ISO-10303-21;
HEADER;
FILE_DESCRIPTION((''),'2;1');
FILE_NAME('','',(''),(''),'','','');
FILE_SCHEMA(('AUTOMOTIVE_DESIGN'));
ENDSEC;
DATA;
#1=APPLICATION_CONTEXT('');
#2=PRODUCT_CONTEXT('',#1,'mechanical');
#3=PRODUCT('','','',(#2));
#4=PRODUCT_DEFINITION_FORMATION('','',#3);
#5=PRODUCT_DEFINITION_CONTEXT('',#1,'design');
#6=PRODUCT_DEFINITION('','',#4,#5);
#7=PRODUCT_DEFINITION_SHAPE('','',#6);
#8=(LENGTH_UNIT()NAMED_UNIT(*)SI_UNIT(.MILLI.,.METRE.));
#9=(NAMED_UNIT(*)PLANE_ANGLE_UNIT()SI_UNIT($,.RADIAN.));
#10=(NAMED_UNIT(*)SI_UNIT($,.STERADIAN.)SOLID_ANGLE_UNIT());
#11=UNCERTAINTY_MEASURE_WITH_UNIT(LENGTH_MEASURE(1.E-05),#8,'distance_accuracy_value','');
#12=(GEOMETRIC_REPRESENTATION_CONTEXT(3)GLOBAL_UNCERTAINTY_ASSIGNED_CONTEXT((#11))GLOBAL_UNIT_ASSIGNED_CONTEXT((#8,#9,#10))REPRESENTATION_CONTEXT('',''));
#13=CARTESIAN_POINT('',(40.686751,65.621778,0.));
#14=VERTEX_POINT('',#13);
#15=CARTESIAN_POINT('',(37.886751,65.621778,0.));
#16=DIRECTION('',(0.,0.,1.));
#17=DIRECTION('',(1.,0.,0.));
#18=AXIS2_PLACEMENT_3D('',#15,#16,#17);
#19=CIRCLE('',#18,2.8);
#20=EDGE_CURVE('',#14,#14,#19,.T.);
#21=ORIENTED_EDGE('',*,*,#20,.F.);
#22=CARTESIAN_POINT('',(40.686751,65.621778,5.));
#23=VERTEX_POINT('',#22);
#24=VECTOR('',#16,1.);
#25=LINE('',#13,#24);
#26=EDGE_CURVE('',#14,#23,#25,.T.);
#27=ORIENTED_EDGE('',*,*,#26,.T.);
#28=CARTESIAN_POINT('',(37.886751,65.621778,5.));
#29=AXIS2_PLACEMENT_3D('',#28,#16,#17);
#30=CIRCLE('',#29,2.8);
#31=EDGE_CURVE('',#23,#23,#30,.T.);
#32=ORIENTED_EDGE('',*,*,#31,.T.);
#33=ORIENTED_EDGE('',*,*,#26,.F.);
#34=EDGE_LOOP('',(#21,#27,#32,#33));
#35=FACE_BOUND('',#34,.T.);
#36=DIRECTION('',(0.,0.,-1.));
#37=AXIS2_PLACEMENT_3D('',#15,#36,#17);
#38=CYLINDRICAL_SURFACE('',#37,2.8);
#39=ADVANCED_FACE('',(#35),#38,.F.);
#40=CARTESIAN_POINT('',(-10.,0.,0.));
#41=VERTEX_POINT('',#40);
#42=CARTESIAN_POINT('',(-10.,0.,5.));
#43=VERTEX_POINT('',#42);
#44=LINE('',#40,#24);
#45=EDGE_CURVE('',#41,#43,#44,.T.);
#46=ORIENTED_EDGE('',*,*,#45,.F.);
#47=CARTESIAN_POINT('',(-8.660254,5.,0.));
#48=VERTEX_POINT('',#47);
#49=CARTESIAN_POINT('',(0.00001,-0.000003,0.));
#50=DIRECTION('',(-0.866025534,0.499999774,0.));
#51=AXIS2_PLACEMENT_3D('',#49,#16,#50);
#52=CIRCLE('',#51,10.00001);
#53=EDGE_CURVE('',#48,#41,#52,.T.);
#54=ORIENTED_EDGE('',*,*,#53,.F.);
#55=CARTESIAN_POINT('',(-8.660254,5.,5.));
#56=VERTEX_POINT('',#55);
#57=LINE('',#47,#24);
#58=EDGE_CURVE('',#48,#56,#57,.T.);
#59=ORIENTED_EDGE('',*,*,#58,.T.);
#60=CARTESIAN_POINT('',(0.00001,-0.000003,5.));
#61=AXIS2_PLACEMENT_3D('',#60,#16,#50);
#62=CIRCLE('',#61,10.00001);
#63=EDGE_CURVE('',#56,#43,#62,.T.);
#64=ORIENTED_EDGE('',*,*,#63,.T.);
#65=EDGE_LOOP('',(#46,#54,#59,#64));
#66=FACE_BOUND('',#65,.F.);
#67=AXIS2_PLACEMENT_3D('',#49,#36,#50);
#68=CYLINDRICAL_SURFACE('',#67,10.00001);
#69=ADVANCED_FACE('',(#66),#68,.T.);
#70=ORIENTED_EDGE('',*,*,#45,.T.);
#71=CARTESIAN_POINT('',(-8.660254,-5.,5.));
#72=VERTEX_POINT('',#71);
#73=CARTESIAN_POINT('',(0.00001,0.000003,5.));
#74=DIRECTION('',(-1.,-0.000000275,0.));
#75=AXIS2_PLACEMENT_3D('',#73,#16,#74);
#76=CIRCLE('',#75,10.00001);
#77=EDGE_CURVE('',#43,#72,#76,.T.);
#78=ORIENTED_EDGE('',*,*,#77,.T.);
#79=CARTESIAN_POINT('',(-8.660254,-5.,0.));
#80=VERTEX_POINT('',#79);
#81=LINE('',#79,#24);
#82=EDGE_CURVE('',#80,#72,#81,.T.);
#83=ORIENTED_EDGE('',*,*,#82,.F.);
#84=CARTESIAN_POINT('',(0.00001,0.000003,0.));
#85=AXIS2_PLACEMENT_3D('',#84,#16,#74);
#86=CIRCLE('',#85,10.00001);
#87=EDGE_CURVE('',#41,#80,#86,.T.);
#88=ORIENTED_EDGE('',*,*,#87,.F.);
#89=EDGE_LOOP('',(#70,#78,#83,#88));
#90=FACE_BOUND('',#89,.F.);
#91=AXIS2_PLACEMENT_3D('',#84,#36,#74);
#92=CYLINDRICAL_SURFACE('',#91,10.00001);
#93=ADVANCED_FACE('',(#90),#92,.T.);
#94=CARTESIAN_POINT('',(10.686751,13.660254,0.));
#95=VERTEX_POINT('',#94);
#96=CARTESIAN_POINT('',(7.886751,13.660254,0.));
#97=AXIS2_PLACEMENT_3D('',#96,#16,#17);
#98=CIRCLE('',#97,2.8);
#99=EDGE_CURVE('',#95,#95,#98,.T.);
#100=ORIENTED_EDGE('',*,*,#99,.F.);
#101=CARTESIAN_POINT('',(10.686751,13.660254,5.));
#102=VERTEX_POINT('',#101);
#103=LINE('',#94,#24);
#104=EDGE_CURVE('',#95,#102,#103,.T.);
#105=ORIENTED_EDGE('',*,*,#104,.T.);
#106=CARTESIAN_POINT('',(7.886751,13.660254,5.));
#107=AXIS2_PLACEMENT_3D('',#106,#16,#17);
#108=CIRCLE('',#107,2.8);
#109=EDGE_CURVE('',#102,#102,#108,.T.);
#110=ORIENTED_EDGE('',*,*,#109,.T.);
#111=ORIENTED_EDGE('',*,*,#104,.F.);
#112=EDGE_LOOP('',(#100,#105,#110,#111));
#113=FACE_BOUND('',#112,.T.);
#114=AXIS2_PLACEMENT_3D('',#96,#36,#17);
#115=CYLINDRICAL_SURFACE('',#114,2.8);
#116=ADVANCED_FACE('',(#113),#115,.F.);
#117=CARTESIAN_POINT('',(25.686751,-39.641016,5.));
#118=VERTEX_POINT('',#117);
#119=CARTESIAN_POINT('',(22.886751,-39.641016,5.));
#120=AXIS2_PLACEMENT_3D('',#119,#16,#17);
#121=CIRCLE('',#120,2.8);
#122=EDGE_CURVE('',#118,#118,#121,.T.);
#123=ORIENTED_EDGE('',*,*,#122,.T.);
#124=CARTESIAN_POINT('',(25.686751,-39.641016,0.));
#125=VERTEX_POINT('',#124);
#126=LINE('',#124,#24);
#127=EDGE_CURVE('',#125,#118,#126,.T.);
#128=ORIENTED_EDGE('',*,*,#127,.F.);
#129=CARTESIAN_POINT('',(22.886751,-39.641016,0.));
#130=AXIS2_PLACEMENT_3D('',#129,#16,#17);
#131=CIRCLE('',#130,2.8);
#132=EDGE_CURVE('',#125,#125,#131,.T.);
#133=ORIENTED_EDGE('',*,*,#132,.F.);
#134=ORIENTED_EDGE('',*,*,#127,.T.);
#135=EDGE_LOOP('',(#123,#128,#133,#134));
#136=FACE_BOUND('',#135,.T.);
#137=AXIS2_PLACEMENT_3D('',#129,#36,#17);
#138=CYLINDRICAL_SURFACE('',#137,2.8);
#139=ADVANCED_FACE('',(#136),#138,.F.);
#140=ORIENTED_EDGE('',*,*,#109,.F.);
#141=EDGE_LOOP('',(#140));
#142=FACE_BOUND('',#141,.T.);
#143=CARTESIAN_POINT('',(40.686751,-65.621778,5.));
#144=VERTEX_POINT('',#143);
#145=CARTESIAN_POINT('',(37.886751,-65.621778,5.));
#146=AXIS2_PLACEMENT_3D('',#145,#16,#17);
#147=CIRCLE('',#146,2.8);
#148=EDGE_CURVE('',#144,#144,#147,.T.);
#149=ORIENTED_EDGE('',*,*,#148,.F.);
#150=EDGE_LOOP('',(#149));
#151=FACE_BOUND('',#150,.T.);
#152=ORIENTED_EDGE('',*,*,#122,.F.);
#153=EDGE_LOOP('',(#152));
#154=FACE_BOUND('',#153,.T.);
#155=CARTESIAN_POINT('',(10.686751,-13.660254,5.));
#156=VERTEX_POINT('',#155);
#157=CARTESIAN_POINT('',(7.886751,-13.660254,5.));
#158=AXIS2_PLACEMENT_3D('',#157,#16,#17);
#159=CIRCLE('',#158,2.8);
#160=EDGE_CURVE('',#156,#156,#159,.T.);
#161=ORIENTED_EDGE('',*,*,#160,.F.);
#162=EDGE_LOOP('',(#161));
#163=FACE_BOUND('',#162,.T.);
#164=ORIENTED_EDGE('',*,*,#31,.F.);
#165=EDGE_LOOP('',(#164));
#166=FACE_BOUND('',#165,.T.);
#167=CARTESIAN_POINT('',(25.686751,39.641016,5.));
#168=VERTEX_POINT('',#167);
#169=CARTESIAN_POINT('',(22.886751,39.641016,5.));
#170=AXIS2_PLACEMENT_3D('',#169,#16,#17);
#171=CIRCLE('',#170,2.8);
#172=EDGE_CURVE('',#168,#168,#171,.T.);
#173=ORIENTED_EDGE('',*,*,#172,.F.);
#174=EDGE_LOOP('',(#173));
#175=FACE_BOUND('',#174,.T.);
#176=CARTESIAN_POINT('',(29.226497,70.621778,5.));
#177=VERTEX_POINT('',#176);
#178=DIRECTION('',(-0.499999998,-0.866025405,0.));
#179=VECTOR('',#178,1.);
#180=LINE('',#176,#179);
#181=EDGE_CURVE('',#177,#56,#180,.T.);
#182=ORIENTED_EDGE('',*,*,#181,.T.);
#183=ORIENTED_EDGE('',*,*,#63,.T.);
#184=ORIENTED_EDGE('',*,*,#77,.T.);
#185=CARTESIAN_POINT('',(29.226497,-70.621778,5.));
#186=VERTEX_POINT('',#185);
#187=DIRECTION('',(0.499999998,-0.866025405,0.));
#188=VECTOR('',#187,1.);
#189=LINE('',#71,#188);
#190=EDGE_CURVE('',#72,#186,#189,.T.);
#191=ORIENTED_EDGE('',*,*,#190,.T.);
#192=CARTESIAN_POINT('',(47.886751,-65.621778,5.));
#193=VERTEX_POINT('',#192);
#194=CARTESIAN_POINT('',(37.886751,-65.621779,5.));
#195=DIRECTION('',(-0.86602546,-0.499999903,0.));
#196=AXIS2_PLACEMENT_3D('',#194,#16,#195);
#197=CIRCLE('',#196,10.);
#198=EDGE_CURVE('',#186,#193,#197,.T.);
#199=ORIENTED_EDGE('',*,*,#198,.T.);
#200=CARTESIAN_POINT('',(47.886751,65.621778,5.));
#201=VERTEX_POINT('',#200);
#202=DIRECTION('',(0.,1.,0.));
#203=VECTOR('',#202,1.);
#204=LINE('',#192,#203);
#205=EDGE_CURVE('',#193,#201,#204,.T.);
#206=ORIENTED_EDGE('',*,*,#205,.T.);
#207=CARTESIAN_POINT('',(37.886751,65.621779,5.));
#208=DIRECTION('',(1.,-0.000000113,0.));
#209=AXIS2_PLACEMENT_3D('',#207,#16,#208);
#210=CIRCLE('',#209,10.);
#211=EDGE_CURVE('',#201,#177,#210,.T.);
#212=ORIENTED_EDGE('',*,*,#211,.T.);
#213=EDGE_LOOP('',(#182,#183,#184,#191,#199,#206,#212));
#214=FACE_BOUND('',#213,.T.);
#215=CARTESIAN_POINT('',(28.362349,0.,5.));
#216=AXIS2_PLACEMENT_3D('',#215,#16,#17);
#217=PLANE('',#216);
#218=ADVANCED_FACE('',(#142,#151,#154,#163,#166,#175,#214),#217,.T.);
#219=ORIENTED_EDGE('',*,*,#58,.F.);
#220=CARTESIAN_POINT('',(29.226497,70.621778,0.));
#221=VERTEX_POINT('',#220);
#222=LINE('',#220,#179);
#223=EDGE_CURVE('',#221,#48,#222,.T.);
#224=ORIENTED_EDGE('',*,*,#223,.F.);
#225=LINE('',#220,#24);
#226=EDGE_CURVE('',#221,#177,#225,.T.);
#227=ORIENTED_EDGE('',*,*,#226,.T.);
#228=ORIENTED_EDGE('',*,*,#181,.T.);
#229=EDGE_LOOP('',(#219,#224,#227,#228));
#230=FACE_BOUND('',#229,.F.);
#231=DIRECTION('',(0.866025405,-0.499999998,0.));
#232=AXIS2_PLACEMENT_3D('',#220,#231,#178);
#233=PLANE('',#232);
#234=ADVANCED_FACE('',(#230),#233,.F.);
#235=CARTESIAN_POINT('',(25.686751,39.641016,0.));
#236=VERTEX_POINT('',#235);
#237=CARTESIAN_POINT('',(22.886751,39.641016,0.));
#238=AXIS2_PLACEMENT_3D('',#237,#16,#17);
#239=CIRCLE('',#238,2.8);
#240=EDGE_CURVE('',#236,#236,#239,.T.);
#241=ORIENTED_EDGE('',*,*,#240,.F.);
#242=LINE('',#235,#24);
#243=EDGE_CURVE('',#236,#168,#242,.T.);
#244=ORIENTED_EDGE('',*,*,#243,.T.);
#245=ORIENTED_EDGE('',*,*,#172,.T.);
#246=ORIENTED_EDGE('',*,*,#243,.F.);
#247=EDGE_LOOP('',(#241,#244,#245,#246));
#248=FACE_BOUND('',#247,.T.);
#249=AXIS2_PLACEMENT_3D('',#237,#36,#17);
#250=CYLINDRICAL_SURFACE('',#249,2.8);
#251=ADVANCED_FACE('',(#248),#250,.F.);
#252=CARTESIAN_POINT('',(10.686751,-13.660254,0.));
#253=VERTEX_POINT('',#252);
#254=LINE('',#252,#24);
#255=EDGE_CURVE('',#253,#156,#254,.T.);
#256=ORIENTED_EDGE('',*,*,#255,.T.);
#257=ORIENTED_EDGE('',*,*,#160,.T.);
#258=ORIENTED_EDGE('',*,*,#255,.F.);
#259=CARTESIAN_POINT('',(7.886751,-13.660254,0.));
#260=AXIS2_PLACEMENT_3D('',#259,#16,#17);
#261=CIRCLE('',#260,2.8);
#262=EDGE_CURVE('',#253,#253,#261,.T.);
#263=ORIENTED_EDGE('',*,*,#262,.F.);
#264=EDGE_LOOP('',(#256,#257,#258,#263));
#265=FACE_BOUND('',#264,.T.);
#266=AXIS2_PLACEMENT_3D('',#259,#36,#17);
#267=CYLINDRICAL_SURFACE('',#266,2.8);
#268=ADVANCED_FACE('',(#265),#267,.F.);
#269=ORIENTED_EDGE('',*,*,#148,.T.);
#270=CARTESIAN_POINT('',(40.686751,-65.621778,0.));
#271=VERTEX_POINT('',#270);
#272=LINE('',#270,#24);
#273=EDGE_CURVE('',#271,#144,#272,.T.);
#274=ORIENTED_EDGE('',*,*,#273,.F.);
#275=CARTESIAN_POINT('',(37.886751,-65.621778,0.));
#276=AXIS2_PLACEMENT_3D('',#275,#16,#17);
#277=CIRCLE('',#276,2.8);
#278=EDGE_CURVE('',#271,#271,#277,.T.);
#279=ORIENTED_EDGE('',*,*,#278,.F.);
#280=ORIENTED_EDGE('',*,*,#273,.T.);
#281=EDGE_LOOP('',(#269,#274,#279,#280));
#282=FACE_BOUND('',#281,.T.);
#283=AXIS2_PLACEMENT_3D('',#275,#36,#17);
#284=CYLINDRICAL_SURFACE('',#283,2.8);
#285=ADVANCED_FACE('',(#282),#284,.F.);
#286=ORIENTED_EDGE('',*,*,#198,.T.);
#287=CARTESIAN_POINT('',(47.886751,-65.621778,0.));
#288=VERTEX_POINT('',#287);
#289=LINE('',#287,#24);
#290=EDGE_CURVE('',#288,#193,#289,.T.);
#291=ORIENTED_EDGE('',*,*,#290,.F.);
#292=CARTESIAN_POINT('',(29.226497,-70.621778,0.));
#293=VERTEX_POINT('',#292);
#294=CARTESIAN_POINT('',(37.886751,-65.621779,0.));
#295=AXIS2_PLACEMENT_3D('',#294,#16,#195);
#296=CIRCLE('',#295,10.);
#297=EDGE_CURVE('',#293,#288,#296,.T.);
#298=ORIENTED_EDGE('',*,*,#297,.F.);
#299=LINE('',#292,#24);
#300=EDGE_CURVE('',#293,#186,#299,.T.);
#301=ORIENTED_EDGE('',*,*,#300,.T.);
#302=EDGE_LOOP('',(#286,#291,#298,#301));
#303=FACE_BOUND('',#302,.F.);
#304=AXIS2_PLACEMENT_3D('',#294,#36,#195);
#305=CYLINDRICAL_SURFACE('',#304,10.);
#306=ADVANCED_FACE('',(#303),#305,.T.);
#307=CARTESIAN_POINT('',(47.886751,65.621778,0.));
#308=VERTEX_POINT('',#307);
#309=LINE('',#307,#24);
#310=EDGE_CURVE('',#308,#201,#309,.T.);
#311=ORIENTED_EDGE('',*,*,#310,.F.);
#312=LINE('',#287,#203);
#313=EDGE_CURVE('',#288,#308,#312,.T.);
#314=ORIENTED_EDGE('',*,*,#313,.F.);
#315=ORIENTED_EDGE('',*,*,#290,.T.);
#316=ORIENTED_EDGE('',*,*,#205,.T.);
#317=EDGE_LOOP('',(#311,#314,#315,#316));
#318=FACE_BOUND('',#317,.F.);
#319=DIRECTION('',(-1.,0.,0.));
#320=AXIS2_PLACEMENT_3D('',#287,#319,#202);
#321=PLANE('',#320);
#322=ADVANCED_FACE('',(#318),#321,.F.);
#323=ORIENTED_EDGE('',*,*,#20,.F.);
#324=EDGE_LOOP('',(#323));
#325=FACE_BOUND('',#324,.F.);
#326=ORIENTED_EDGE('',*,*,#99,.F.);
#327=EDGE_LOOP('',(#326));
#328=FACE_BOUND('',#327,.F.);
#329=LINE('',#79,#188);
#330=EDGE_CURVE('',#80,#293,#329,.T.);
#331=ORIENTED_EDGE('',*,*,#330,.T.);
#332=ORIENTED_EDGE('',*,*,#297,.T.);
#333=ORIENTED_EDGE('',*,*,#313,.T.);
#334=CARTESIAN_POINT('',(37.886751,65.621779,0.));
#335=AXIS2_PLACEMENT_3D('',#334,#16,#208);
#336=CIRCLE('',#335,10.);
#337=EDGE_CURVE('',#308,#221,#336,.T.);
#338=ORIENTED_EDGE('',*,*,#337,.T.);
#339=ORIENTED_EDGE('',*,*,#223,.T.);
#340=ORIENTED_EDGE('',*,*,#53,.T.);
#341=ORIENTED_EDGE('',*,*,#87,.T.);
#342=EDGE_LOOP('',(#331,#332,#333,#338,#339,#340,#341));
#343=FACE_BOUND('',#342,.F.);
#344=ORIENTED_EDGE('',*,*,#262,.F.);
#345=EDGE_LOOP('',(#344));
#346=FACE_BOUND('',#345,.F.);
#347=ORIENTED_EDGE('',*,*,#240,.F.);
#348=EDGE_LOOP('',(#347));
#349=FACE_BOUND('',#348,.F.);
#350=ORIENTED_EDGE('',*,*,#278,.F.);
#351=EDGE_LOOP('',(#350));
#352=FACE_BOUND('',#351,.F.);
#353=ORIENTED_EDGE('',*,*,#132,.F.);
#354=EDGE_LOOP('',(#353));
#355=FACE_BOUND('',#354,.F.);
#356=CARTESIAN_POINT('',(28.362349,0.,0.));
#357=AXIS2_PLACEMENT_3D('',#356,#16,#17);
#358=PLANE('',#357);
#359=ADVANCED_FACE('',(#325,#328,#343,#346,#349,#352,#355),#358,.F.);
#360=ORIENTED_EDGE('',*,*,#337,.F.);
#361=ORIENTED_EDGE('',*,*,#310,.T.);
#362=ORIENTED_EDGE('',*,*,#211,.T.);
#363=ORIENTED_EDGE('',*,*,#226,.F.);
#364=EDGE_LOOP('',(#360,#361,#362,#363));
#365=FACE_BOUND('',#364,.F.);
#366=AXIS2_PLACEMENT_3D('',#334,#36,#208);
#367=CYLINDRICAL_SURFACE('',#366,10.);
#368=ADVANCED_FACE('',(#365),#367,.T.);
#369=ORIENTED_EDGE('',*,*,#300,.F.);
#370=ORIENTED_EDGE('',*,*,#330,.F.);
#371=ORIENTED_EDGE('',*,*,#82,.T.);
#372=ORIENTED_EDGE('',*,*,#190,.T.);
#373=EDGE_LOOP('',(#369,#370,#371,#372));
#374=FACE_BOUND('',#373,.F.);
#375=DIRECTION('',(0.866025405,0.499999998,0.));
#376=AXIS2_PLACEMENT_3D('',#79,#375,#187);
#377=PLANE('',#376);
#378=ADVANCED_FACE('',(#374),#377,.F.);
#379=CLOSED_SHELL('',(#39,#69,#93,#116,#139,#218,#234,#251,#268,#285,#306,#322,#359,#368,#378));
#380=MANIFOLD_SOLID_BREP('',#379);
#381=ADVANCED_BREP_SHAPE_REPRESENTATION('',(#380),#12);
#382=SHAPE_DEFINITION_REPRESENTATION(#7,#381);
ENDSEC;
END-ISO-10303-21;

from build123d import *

# Parameters (mm, degrees)
F0_R     = 2.8
F1_DEPTH = 5


with BuildPart() as f1:
    # F0 (on Top) → F1 (new body)
    with BuildSketch(Plane.XY):
        with BuildLine():
            Line((47.886751, -65.621778), (47.886751, 0))
            Line((47.886751, 0), (47.886751, 65.621778))
            ThreePointArc((47.886751, 65.621778), (40.474942, 75.281037), (29.226497, 70.621778))
            Line((29.226497, 70.621778), (-8.660254, 5))
            ThreePointArc((-8.660254, 5), (-9.659258, 2.58819), (-10, 0))
            ThreePointArc((-10, 0), (-9.659258, -2.58819), (-8.660254, -5))
            Line((-8.660254, -5), (29.226497, -70.621778))
            ThreePointArc((29.226497, -70.621778), (40.474942, -75.281037), (47.886751, -65.621778))
        make_face()
        with Locations((7.886751, -13.660254)):
            Circle(F0_R, mode=Mode.SUBTRACT)
        with Locations((22.886751, -39.641016)):
            Circle(F0_R, mode=Mode.SUBTRACT)
        with Locations((37.886751, -65.621778)):
            Circle(F0_R, mode=Mode.SUBTRACT)
        with Locations((7.886751, 13.660254)):
            Circle(F0_R, mode=Mode.SUBTRACT)
        with Locations((22.886751, 39.641016)):
            Circle(F0_R, mode=Mode.SUBTRACT)
        with Locations((37.886751, 65.621778)):
            Circle(F0_R, mode=Mode.SUBTRACT)
    extrude(amount=F1_DEPTH)


solid = f1.part
